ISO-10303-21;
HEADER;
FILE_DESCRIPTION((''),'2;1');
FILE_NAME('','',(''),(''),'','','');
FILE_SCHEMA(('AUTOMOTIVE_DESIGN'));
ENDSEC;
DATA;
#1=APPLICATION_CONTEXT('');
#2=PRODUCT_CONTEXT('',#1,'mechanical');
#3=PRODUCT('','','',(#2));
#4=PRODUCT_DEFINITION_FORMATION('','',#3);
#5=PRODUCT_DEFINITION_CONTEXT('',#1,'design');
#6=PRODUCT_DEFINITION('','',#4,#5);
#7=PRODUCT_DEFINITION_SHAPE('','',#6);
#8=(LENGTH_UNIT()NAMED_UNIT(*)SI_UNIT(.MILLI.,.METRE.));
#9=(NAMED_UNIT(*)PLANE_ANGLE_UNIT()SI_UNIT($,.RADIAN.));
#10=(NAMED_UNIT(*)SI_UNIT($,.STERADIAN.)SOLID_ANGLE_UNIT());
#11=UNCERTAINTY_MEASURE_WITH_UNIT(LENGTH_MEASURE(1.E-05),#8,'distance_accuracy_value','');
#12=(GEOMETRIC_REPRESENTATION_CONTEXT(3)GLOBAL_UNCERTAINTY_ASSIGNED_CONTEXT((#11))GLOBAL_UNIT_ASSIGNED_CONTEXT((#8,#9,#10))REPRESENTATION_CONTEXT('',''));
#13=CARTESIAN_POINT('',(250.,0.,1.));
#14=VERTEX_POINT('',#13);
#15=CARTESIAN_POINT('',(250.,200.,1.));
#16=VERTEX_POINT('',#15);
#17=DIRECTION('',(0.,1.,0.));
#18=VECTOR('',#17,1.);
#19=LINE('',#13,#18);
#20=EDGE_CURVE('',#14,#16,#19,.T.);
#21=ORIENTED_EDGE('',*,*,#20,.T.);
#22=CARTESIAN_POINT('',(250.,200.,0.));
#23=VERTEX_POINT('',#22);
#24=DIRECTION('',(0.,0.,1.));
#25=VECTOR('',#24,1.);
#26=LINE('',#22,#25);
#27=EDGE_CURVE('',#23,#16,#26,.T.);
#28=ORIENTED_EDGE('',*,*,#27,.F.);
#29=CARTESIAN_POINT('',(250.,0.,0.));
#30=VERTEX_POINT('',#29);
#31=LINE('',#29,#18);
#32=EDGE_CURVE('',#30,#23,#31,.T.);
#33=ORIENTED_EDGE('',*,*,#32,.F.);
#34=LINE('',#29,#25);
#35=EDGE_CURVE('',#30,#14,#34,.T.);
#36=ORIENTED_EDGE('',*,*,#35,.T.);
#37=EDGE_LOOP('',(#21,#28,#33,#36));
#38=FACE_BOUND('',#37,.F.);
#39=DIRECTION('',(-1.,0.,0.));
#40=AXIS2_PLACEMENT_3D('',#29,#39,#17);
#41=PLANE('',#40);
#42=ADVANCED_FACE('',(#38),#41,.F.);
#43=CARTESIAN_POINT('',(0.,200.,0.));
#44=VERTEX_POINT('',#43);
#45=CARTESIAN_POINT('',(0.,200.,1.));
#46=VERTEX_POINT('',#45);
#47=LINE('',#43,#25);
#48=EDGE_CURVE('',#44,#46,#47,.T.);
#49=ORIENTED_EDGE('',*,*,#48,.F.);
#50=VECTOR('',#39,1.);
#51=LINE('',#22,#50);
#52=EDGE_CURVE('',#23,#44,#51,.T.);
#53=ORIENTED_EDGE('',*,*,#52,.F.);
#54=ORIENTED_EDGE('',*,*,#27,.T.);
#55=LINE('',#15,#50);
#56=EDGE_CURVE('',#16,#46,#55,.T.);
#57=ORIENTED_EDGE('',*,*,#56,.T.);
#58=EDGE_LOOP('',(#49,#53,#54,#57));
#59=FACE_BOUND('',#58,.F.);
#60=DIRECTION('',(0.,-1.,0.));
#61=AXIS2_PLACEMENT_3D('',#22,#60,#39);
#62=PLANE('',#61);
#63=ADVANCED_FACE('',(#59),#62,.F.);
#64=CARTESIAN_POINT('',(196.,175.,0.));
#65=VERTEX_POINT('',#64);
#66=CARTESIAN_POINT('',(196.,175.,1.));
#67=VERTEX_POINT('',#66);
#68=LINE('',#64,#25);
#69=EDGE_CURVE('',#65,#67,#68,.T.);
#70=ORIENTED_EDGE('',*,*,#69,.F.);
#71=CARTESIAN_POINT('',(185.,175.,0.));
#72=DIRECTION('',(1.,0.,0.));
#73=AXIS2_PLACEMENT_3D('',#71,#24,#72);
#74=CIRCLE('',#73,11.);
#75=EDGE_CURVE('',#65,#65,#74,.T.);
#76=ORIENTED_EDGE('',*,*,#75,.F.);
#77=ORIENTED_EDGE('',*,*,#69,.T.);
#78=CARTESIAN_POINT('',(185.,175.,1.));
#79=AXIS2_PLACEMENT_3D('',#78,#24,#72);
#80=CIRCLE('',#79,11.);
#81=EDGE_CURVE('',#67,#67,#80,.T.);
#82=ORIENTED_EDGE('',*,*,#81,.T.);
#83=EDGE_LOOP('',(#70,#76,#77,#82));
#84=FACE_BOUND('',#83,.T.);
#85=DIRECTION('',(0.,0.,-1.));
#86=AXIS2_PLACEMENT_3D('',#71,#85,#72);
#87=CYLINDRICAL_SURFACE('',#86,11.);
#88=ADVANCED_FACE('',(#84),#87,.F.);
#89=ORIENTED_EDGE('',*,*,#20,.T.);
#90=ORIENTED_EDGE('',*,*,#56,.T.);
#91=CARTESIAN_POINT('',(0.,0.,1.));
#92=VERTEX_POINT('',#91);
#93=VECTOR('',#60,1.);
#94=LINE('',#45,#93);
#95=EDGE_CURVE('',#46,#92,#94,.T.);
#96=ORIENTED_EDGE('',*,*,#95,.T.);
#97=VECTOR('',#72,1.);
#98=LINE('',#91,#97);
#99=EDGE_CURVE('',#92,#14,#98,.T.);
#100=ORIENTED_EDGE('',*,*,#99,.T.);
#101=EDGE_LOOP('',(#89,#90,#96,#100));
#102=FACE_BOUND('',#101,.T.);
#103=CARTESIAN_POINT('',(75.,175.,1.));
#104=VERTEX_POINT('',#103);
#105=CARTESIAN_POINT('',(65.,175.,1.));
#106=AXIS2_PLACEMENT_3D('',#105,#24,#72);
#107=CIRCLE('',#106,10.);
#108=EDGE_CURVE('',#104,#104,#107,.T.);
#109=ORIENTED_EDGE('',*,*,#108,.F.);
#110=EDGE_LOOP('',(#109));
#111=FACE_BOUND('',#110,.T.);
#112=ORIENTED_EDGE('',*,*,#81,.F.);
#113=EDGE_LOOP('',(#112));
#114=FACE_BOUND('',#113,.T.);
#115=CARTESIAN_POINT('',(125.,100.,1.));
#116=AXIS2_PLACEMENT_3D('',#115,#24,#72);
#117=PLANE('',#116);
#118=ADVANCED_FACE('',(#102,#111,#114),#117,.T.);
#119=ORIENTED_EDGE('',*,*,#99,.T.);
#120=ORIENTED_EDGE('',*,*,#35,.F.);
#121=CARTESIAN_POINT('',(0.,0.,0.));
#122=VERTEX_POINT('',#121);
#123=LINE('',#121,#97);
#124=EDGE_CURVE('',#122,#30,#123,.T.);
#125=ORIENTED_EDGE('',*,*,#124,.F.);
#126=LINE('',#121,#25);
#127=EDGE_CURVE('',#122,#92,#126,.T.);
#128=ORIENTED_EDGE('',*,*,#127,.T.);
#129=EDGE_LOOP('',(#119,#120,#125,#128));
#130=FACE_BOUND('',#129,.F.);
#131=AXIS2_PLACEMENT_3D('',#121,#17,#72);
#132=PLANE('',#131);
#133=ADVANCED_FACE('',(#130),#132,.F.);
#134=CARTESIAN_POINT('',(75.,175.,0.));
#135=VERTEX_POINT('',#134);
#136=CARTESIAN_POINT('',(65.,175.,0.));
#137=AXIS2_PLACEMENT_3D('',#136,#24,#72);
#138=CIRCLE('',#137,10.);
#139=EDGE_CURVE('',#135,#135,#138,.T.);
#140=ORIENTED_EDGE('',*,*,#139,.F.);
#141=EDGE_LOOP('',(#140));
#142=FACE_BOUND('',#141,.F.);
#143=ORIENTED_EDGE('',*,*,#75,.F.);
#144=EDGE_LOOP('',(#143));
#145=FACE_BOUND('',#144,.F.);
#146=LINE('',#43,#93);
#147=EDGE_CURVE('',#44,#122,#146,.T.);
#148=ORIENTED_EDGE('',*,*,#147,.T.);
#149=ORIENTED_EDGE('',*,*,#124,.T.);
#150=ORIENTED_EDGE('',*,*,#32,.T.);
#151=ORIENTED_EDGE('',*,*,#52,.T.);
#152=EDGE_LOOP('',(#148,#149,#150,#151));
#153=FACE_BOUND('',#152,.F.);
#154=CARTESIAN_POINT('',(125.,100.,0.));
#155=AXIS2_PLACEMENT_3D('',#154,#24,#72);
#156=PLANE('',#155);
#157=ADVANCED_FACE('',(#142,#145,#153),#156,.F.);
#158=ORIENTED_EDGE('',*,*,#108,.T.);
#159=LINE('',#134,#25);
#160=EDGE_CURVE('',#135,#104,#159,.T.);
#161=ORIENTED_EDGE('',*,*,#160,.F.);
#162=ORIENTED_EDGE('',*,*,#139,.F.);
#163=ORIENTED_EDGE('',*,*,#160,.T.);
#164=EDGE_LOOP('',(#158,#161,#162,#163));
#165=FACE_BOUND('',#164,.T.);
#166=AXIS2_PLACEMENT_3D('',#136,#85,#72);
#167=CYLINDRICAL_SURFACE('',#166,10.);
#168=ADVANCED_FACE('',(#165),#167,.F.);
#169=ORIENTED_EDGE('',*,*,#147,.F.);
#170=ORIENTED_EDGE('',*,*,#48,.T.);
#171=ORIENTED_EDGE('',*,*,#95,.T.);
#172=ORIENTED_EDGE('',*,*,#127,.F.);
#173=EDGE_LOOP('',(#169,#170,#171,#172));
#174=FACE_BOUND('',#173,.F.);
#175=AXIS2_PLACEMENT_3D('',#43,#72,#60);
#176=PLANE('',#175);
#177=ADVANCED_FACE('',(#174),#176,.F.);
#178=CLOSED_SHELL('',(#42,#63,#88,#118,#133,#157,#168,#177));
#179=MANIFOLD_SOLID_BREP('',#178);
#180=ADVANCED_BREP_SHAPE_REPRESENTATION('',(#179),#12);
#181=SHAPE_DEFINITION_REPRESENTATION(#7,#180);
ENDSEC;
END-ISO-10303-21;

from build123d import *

# Parameters (mm, degrees)
F0_R     = 10
F0_R_2   = 11
F1_DEPTH = 1


with BuildPart() as f1:
    # F0 (on Top) → F1 (new body)
    with BuildSketch(Plane.XY):
        Polygon((0, 200), (0, 0), (250, 0), (250, 200), (185, 200), (65, 200), align=None)
        with Locations((65, 175)):
            Circle(F0_R, mode=Mode.SUBTRACT)
        with Locations((185, 175)):
            Circle(F0_R_2, mode=Mode.SUBTRACT)
    extrude(amount=F1_DEPTH)


solid = f1.part
